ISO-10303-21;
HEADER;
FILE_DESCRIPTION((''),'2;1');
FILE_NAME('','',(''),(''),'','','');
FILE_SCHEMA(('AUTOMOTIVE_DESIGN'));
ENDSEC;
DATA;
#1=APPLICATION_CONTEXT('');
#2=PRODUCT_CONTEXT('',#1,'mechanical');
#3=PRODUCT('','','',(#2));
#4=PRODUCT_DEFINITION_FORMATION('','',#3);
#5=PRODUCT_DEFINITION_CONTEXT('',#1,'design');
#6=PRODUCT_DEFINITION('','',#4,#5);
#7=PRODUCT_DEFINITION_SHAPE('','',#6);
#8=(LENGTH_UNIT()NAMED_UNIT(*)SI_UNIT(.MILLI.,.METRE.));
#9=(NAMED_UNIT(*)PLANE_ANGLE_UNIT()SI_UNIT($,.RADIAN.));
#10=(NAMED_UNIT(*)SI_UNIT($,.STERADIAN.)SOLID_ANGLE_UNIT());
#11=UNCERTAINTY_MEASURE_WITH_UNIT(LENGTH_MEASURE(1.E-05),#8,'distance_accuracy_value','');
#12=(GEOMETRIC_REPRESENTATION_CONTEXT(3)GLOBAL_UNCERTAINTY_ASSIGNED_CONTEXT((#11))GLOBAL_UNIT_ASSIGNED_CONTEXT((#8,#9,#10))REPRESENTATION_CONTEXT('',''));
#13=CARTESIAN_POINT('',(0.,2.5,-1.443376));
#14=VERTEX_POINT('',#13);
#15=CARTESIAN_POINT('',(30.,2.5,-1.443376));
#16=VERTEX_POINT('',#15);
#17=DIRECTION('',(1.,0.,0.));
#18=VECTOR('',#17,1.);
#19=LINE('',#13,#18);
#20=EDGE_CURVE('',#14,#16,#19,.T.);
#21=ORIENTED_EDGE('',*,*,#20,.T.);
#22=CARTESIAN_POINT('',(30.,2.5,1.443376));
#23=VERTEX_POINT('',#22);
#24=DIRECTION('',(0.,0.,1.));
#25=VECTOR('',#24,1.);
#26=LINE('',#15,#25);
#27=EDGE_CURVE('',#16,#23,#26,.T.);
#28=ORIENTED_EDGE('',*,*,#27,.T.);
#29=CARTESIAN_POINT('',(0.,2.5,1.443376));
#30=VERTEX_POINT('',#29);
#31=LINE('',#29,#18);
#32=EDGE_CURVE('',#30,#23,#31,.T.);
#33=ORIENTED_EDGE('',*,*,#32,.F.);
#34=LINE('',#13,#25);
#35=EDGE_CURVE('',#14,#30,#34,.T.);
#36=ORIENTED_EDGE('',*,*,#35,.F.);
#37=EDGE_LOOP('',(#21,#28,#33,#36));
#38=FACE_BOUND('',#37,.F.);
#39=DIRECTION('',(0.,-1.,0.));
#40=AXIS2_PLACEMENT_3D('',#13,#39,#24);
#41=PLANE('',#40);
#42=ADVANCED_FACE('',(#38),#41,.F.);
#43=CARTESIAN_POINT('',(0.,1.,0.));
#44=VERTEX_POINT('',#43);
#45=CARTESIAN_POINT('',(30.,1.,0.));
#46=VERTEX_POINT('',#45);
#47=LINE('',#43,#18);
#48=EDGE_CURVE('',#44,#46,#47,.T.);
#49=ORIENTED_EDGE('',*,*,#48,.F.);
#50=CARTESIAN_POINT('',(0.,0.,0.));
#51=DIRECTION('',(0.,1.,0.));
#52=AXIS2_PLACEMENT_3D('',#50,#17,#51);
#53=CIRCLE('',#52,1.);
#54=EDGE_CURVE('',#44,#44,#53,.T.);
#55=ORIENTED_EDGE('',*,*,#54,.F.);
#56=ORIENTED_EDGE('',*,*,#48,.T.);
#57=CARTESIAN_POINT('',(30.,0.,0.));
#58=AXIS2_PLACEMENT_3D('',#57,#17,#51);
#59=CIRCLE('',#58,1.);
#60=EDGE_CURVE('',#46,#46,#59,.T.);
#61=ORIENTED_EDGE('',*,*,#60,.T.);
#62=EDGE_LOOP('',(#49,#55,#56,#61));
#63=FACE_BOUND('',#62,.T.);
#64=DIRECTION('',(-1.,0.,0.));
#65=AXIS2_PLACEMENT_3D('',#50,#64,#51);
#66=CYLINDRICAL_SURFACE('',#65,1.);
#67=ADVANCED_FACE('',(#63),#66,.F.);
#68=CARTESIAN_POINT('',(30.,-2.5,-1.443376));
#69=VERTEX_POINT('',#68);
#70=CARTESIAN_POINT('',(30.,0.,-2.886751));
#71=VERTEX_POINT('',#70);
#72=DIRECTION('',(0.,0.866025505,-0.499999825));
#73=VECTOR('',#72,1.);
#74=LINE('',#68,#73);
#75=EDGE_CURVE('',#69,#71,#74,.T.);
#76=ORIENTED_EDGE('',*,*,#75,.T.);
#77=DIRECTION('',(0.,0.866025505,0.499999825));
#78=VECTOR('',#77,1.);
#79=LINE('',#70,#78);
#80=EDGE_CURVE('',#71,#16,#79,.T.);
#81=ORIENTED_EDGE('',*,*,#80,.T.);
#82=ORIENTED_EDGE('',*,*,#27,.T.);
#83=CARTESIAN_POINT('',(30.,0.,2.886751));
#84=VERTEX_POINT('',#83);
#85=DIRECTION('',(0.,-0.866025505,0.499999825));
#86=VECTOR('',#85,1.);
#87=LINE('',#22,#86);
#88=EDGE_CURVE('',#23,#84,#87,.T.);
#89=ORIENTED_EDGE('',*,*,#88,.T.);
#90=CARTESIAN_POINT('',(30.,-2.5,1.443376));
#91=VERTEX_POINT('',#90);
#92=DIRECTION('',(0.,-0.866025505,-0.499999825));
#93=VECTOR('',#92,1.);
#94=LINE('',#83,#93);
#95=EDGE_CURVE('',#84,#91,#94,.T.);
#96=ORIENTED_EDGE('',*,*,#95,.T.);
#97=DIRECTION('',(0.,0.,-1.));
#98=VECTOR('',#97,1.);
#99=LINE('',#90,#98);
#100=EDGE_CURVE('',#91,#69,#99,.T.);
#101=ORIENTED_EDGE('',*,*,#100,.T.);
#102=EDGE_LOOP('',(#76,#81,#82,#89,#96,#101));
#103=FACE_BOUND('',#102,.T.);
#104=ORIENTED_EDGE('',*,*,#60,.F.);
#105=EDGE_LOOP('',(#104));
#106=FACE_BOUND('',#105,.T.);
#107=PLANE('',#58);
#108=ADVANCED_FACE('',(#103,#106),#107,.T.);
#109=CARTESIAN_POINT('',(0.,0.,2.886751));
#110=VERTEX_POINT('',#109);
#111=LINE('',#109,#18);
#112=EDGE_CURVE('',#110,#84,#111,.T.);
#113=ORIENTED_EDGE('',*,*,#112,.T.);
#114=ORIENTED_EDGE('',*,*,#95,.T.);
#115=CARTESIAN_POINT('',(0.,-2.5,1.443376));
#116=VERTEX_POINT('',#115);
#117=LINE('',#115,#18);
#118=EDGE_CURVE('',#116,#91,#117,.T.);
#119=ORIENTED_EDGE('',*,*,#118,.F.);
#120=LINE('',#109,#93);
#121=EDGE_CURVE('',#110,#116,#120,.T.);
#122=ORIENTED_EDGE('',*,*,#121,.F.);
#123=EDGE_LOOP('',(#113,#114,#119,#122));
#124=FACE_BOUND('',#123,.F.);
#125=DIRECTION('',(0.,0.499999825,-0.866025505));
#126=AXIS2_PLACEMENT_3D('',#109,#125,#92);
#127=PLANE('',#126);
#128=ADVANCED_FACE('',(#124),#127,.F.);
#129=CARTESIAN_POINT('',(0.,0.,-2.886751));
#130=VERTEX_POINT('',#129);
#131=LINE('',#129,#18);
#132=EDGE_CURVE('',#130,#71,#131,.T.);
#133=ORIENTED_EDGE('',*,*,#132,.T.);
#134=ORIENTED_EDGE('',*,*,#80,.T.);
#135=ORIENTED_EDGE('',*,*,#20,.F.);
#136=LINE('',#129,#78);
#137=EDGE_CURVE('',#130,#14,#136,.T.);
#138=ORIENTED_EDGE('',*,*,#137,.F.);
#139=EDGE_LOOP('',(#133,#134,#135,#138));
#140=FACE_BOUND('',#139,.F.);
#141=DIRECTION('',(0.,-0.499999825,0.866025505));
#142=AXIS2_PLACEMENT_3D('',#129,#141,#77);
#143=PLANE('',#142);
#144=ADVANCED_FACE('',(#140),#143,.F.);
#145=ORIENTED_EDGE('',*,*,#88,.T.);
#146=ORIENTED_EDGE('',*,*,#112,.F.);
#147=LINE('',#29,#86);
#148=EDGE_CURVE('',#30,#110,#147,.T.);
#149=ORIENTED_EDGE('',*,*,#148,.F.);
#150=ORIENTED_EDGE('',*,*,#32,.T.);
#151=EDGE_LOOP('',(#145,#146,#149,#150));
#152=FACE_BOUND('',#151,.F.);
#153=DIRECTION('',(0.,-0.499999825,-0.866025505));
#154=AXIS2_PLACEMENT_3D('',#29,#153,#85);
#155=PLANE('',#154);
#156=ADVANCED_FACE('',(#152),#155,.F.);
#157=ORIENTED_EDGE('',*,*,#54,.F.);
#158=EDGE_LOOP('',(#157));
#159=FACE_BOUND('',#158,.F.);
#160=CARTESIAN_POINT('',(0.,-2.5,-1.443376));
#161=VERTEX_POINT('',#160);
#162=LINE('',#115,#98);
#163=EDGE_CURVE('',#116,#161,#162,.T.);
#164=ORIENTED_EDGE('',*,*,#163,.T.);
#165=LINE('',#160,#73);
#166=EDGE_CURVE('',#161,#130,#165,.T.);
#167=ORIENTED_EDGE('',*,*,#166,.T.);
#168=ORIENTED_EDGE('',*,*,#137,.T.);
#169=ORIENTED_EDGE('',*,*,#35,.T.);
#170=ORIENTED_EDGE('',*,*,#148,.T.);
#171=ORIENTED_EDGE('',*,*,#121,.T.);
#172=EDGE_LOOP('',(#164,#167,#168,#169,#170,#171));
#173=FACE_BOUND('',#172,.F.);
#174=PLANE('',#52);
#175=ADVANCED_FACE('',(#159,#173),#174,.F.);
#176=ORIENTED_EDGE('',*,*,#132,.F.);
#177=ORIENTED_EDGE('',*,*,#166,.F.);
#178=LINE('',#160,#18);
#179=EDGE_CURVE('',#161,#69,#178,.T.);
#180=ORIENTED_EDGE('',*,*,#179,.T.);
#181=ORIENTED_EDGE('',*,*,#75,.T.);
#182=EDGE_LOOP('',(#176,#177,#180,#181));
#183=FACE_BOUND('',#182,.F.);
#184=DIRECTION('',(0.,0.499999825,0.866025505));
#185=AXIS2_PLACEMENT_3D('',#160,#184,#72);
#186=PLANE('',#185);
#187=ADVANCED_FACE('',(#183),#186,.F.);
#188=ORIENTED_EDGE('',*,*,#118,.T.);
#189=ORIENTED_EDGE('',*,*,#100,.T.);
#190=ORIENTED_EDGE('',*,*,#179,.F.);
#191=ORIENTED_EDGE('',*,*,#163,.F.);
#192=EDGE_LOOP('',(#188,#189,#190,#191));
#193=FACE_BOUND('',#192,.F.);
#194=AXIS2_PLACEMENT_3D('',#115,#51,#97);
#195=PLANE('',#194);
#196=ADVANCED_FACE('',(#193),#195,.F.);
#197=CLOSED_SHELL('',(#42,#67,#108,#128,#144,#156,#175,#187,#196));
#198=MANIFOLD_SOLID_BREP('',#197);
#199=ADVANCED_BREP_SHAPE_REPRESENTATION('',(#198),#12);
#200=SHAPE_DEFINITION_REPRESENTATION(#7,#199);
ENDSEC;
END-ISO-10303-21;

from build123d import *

# Parameters (mm, degrees)
F0_R     = 1
F1_DEPTH = 30


with BuildPart() as f1:
    # F0 (on Right) → F1 (new body)
    with BuildSketch(Plane.YZ):
        Polygon((2.5, -1.443376), (2.5, 1.443376), (0, 2.886751), (-2.5, 1.443376), (-2.5, -1.443376), (0, -2.886751), align=None)
        Circle(F0_R, mode=Mode.SUBTRACT)
    extrude(amount=F1_DEPTH)


solid = f1.part
